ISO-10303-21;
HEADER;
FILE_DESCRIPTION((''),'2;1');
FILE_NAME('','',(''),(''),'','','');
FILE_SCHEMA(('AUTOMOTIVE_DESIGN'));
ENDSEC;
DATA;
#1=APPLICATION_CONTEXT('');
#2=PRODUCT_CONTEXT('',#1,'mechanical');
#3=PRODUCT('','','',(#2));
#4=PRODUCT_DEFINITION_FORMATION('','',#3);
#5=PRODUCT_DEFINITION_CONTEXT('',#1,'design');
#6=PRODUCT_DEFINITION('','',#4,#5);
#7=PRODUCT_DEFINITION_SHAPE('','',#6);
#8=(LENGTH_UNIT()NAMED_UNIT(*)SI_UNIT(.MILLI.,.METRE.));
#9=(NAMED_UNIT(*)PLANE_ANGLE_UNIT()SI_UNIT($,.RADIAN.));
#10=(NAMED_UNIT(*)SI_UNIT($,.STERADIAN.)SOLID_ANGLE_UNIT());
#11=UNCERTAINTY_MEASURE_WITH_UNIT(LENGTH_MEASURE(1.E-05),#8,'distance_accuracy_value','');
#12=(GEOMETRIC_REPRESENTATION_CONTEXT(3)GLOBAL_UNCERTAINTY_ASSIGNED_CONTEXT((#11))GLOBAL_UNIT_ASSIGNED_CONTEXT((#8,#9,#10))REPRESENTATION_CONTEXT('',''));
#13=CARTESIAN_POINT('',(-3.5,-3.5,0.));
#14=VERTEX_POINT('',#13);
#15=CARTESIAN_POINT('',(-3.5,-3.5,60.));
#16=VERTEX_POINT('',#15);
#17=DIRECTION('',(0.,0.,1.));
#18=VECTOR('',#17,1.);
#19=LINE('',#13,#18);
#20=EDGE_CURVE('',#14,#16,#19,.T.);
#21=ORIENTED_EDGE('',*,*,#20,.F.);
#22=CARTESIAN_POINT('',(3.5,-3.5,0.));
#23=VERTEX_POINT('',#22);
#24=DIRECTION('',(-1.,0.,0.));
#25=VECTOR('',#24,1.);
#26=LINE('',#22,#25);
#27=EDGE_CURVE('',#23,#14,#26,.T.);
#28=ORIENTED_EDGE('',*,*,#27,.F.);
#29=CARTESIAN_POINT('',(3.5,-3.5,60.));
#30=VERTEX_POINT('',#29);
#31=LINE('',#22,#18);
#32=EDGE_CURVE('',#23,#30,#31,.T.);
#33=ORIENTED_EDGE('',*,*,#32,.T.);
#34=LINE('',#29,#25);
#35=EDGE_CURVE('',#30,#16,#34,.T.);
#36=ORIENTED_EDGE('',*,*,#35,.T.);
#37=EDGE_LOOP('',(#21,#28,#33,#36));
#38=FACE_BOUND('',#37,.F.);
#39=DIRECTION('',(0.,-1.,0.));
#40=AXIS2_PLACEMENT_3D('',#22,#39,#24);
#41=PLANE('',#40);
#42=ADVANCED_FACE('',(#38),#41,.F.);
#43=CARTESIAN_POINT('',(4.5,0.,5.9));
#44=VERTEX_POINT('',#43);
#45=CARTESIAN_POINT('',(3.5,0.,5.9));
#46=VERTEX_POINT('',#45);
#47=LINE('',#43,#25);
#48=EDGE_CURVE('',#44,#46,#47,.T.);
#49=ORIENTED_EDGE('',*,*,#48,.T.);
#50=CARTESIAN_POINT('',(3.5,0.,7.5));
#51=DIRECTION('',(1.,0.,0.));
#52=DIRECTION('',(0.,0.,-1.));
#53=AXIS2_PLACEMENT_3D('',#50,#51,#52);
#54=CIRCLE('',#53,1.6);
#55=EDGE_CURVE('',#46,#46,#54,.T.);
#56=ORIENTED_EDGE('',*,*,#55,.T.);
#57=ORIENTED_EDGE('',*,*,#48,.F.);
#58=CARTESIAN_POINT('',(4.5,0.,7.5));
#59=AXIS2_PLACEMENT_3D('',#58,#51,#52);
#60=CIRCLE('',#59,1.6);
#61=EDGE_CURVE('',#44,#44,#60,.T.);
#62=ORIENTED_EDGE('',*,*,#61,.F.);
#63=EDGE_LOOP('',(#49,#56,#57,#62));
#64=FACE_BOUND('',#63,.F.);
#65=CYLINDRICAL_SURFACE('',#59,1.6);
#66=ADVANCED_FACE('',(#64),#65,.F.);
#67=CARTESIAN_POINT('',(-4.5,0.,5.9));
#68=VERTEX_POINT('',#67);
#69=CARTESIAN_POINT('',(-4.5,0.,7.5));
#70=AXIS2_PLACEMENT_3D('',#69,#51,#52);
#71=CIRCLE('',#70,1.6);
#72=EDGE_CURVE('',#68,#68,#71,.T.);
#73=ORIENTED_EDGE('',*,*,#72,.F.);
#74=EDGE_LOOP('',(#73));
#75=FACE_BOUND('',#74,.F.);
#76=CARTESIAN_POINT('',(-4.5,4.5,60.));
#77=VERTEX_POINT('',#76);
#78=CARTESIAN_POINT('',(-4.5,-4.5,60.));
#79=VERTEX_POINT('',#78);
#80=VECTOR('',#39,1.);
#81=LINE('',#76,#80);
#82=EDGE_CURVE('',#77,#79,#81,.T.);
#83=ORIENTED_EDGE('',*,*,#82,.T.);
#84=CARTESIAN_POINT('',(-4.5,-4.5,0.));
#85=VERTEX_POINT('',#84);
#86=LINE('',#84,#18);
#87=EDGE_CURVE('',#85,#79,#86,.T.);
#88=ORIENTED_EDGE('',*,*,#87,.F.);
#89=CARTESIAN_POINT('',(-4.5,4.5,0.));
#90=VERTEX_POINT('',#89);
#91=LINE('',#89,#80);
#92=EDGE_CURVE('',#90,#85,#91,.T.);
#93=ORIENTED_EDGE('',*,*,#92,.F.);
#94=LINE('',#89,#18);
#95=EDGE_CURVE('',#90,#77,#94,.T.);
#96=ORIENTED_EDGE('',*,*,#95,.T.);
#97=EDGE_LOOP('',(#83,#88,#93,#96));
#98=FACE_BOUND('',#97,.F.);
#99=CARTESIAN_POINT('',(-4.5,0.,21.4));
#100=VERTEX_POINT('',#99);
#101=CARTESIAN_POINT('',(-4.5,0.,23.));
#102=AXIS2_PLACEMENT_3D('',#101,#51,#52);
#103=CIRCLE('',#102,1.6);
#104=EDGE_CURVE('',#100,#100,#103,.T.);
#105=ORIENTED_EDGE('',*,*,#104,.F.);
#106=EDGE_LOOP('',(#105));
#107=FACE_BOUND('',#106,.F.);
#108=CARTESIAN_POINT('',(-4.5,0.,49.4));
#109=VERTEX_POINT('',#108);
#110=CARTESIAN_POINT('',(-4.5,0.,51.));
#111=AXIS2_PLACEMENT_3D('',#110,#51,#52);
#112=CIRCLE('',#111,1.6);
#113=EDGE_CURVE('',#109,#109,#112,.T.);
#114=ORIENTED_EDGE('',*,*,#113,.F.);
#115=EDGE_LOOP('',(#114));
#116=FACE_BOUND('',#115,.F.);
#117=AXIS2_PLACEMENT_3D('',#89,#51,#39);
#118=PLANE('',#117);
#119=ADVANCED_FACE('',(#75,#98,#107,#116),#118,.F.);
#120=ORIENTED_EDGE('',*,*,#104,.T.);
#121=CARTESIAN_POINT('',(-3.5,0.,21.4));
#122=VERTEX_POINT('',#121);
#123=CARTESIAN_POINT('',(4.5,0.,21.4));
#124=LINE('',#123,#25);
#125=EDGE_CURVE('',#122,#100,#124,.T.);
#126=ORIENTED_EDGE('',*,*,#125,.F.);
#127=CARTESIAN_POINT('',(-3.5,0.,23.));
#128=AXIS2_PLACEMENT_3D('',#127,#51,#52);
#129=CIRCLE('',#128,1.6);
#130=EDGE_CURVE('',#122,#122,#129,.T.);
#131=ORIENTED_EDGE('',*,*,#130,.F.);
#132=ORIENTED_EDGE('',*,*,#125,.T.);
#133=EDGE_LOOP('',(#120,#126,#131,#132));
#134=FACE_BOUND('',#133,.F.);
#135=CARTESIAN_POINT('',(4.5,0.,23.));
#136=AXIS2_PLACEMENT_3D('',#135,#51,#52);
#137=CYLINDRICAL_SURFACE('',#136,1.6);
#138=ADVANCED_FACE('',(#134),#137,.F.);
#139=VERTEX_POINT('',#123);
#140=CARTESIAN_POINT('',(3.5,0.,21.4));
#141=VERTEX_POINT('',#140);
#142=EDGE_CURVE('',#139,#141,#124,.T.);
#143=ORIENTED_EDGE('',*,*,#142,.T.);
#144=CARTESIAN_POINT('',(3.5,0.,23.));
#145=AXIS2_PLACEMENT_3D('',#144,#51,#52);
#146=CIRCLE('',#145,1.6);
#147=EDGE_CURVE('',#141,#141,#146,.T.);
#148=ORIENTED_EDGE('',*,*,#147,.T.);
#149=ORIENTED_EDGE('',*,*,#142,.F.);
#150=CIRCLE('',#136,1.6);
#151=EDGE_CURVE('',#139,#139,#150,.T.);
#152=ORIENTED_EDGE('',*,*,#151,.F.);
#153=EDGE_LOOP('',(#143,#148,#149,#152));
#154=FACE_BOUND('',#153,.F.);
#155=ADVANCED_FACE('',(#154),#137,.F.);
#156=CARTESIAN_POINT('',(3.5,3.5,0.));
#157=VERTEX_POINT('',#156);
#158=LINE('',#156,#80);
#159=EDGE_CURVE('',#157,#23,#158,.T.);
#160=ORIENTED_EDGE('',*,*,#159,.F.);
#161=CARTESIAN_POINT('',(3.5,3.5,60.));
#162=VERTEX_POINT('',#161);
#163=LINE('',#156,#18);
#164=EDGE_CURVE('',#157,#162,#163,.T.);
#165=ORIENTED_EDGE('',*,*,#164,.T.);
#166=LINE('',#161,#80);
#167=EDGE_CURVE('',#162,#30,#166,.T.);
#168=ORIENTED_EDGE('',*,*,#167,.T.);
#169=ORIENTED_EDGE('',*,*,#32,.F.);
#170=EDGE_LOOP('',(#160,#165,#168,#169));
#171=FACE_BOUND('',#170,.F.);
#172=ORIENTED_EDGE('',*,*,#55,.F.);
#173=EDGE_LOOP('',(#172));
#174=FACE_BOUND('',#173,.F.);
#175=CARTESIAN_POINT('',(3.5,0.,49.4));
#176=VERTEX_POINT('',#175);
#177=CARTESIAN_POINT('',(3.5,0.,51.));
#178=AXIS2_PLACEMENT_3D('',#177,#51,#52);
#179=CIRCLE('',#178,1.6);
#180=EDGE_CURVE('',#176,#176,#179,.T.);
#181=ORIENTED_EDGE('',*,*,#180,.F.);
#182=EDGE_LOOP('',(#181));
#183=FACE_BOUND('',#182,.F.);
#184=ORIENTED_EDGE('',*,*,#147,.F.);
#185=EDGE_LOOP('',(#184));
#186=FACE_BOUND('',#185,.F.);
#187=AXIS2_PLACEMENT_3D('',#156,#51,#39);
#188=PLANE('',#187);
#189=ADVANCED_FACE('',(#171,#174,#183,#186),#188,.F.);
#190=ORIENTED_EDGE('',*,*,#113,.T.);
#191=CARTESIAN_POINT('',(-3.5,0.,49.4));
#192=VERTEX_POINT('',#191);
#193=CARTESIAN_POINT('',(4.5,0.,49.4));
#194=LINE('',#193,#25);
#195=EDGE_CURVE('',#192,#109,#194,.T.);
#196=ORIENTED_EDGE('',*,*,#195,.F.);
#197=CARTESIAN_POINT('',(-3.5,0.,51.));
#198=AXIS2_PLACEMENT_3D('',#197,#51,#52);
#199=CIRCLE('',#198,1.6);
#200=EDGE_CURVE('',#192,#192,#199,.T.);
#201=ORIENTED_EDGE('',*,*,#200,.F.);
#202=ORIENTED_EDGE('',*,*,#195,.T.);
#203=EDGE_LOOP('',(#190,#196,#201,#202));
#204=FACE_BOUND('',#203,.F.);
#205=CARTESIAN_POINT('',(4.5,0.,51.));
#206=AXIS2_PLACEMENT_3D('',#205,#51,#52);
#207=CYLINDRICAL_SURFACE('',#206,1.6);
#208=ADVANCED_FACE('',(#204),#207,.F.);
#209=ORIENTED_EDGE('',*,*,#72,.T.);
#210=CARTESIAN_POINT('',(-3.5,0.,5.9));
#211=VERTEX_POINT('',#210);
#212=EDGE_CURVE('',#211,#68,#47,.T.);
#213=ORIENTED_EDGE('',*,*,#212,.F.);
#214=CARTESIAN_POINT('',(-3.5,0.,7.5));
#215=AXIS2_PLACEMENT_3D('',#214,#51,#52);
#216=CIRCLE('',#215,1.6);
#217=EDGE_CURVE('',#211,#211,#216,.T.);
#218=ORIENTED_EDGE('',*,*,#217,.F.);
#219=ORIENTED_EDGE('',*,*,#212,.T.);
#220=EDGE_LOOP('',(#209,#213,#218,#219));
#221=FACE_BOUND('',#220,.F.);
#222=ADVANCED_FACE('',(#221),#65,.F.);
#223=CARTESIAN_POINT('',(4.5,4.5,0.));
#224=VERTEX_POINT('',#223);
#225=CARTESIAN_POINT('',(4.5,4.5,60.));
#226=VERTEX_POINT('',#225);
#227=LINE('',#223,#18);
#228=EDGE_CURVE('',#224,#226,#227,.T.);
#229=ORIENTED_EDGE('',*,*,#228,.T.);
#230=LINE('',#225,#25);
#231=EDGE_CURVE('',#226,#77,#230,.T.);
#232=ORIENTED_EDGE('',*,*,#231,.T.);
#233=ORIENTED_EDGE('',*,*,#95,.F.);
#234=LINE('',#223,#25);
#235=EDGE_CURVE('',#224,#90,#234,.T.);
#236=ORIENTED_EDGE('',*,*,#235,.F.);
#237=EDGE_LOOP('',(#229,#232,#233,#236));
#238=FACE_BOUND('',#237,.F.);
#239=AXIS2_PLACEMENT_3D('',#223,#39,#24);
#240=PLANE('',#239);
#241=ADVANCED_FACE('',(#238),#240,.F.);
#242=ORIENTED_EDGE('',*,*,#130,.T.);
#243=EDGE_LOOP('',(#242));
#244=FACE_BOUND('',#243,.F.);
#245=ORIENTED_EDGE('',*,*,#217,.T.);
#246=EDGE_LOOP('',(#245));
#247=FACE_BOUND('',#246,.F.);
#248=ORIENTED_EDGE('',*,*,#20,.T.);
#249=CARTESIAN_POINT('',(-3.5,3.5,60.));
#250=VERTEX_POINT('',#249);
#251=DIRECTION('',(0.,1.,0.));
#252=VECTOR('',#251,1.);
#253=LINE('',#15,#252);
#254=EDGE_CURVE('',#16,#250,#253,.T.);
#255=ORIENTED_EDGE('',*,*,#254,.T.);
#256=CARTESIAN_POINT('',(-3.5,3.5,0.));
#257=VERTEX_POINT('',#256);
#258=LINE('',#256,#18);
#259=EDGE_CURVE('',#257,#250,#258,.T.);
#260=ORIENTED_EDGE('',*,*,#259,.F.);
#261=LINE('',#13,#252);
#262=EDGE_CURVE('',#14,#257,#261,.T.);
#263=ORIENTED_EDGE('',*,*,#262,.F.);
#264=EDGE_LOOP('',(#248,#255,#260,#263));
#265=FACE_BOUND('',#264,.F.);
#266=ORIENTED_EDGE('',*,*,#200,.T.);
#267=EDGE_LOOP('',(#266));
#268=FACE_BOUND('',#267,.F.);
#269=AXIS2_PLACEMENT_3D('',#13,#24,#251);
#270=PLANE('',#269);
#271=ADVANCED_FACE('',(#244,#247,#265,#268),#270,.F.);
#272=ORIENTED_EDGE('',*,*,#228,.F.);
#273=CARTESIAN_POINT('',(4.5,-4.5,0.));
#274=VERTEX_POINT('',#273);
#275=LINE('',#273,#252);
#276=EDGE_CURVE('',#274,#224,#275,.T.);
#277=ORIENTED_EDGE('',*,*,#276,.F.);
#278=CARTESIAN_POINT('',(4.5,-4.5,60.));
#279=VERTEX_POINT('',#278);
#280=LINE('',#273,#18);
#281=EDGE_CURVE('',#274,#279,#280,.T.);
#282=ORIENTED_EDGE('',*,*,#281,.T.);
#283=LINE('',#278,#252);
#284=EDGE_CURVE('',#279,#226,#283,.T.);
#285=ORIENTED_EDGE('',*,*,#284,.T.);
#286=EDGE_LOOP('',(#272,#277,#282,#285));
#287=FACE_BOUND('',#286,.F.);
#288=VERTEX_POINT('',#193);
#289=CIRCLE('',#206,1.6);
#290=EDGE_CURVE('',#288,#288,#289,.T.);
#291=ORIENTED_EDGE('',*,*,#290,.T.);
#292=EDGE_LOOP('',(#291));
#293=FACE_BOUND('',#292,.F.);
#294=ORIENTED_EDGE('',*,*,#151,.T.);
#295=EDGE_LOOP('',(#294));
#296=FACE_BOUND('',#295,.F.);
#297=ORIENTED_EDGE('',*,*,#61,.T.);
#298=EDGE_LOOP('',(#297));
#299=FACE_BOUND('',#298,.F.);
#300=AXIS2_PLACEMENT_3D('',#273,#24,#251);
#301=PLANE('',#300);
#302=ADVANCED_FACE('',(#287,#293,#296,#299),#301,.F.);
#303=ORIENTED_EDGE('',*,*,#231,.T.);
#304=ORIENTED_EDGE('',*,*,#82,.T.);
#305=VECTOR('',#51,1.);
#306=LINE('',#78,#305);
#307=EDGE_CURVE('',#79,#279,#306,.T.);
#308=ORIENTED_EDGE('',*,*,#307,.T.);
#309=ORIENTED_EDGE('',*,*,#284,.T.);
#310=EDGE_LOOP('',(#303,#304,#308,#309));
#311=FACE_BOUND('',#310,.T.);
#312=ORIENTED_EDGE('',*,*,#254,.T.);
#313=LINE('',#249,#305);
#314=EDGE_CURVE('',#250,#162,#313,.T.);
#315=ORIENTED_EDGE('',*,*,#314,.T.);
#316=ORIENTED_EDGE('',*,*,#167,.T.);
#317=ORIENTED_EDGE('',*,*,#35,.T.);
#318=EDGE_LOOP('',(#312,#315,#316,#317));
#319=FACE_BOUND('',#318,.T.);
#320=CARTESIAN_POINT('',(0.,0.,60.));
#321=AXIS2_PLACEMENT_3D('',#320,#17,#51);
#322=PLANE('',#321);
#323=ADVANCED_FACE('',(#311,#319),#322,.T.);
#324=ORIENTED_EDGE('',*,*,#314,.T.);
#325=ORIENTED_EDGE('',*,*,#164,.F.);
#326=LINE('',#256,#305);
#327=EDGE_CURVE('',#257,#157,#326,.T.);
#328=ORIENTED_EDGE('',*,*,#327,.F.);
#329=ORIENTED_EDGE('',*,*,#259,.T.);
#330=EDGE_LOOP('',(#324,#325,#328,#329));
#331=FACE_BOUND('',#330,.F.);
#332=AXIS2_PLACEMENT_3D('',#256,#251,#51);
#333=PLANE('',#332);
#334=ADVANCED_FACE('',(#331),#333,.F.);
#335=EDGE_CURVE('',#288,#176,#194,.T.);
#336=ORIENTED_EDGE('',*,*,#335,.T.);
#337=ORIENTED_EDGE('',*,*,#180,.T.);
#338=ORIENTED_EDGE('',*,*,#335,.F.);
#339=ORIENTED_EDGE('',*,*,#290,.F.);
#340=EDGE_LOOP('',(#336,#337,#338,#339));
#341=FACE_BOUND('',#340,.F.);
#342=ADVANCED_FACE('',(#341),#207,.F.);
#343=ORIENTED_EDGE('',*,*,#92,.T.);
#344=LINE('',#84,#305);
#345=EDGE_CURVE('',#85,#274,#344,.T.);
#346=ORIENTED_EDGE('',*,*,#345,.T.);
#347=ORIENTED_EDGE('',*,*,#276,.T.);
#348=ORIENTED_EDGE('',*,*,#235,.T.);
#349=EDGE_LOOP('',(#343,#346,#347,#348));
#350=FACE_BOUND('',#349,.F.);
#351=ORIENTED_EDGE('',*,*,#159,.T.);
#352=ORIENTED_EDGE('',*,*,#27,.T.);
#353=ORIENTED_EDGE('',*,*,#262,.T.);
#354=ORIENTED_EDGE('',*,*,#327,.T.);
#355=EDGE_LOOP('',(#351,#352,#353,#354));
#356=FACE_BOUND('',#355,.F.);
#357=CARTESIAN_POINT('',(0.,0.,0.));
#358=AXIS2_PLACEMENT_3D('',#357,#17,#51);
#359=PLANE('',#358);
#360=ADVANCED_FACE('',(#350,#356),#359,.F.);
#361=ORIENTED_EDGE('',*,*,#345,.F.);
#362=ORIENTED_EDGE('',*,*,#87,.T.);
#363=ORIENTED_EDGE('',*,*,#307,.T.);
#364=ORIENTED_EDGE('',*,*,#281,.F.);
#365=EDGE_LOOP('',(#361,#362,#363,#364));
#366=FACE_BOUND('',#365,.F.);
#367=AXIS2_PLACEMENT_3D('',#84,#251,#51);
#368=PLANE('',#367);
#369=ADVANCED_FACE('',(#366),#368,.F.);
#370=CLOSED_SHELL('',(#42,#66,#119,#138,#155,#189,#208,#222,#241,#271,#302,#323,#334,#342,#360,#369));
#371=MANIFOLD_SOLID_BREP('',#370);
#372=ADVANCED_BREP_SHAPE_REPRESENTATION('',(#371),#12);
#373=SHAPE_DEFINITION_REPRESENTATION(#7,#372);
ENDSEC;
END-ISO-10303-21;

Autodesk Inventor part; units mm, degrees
ref_plane "YZ Plane" through (0, 0, 0) normal (1, 0, 0) x (0, 1, 0)
ref_plane "XZ Plane" through (0, 0, 0) normal (0, 1, 0) x (-1, 0, 0)
ref_plane "XY Plane" through (0, 0, 0) normal (0, 0, 1) x (1, 0, 0)
sketch "スケッチ1" plane through (0, 0, 0) normal (0, 0, 1) x (1, 0, 0)
  line L0 (4.5, 4.5) -> (-4.5, 4.5)
  line L1 (-4.5, 4.5) -> (-4.5, -4.5)
  line L2 (-4.5, -4.5) -> (4.5, -4.5)
  line L3 (4.5, -4.5) -> (4.5, 4.5)
  line L4 (4.5, 4.5) -> (-4.5, -4.5) construction
  line L5 (-4.5, 4.5) -> (4.5, -4.5) construction
  line L6 (-3.5, 3.5) -> (3.5, 3.5)
  line L7 (3.5, 3.5) -> (3.5, -3.5)
  line L8 (3.5, -3.5) -> (-3.5, -3.5)
  line L9 (-3.5, -3.5) -> (-3.5, 3.5)
  point P0 (0, 0)
  dimension "d0" = 9
  dimension "d1" = 9
  dimension "d2" = 1
extrude "押し出し1" add sketch "スケッチ1" along normal blind 60
sketch "スケッチ2" plane through (4.5, -4.5, 0) normal (1, 0, 0) x (0, 0, -1)
  circle A0 centre (-7.5, 4.5) radius 1.6
  circle A1 centre (-23, 4.5) radius 1.6
  circle A2 centre (-51, 4.5) radius 1.6
  line L0 (0, 0) -> (0, 9) projected
  point P0 (0, 4.5)
  point P1 (0, 4.5)
  dimension "d5" = 3.2
  dimension "d6" = 3.2
  dimension "d7" = 3.2
  dimension "d9" = 7.5
  dimension "d11" = 15.5
  dimension "d12" = 28
extrude "押し出し2" cut sketch "スケッチ2" against normal through all
properties part number "ハンド_角柱1" material "アルミニウム 6061"
